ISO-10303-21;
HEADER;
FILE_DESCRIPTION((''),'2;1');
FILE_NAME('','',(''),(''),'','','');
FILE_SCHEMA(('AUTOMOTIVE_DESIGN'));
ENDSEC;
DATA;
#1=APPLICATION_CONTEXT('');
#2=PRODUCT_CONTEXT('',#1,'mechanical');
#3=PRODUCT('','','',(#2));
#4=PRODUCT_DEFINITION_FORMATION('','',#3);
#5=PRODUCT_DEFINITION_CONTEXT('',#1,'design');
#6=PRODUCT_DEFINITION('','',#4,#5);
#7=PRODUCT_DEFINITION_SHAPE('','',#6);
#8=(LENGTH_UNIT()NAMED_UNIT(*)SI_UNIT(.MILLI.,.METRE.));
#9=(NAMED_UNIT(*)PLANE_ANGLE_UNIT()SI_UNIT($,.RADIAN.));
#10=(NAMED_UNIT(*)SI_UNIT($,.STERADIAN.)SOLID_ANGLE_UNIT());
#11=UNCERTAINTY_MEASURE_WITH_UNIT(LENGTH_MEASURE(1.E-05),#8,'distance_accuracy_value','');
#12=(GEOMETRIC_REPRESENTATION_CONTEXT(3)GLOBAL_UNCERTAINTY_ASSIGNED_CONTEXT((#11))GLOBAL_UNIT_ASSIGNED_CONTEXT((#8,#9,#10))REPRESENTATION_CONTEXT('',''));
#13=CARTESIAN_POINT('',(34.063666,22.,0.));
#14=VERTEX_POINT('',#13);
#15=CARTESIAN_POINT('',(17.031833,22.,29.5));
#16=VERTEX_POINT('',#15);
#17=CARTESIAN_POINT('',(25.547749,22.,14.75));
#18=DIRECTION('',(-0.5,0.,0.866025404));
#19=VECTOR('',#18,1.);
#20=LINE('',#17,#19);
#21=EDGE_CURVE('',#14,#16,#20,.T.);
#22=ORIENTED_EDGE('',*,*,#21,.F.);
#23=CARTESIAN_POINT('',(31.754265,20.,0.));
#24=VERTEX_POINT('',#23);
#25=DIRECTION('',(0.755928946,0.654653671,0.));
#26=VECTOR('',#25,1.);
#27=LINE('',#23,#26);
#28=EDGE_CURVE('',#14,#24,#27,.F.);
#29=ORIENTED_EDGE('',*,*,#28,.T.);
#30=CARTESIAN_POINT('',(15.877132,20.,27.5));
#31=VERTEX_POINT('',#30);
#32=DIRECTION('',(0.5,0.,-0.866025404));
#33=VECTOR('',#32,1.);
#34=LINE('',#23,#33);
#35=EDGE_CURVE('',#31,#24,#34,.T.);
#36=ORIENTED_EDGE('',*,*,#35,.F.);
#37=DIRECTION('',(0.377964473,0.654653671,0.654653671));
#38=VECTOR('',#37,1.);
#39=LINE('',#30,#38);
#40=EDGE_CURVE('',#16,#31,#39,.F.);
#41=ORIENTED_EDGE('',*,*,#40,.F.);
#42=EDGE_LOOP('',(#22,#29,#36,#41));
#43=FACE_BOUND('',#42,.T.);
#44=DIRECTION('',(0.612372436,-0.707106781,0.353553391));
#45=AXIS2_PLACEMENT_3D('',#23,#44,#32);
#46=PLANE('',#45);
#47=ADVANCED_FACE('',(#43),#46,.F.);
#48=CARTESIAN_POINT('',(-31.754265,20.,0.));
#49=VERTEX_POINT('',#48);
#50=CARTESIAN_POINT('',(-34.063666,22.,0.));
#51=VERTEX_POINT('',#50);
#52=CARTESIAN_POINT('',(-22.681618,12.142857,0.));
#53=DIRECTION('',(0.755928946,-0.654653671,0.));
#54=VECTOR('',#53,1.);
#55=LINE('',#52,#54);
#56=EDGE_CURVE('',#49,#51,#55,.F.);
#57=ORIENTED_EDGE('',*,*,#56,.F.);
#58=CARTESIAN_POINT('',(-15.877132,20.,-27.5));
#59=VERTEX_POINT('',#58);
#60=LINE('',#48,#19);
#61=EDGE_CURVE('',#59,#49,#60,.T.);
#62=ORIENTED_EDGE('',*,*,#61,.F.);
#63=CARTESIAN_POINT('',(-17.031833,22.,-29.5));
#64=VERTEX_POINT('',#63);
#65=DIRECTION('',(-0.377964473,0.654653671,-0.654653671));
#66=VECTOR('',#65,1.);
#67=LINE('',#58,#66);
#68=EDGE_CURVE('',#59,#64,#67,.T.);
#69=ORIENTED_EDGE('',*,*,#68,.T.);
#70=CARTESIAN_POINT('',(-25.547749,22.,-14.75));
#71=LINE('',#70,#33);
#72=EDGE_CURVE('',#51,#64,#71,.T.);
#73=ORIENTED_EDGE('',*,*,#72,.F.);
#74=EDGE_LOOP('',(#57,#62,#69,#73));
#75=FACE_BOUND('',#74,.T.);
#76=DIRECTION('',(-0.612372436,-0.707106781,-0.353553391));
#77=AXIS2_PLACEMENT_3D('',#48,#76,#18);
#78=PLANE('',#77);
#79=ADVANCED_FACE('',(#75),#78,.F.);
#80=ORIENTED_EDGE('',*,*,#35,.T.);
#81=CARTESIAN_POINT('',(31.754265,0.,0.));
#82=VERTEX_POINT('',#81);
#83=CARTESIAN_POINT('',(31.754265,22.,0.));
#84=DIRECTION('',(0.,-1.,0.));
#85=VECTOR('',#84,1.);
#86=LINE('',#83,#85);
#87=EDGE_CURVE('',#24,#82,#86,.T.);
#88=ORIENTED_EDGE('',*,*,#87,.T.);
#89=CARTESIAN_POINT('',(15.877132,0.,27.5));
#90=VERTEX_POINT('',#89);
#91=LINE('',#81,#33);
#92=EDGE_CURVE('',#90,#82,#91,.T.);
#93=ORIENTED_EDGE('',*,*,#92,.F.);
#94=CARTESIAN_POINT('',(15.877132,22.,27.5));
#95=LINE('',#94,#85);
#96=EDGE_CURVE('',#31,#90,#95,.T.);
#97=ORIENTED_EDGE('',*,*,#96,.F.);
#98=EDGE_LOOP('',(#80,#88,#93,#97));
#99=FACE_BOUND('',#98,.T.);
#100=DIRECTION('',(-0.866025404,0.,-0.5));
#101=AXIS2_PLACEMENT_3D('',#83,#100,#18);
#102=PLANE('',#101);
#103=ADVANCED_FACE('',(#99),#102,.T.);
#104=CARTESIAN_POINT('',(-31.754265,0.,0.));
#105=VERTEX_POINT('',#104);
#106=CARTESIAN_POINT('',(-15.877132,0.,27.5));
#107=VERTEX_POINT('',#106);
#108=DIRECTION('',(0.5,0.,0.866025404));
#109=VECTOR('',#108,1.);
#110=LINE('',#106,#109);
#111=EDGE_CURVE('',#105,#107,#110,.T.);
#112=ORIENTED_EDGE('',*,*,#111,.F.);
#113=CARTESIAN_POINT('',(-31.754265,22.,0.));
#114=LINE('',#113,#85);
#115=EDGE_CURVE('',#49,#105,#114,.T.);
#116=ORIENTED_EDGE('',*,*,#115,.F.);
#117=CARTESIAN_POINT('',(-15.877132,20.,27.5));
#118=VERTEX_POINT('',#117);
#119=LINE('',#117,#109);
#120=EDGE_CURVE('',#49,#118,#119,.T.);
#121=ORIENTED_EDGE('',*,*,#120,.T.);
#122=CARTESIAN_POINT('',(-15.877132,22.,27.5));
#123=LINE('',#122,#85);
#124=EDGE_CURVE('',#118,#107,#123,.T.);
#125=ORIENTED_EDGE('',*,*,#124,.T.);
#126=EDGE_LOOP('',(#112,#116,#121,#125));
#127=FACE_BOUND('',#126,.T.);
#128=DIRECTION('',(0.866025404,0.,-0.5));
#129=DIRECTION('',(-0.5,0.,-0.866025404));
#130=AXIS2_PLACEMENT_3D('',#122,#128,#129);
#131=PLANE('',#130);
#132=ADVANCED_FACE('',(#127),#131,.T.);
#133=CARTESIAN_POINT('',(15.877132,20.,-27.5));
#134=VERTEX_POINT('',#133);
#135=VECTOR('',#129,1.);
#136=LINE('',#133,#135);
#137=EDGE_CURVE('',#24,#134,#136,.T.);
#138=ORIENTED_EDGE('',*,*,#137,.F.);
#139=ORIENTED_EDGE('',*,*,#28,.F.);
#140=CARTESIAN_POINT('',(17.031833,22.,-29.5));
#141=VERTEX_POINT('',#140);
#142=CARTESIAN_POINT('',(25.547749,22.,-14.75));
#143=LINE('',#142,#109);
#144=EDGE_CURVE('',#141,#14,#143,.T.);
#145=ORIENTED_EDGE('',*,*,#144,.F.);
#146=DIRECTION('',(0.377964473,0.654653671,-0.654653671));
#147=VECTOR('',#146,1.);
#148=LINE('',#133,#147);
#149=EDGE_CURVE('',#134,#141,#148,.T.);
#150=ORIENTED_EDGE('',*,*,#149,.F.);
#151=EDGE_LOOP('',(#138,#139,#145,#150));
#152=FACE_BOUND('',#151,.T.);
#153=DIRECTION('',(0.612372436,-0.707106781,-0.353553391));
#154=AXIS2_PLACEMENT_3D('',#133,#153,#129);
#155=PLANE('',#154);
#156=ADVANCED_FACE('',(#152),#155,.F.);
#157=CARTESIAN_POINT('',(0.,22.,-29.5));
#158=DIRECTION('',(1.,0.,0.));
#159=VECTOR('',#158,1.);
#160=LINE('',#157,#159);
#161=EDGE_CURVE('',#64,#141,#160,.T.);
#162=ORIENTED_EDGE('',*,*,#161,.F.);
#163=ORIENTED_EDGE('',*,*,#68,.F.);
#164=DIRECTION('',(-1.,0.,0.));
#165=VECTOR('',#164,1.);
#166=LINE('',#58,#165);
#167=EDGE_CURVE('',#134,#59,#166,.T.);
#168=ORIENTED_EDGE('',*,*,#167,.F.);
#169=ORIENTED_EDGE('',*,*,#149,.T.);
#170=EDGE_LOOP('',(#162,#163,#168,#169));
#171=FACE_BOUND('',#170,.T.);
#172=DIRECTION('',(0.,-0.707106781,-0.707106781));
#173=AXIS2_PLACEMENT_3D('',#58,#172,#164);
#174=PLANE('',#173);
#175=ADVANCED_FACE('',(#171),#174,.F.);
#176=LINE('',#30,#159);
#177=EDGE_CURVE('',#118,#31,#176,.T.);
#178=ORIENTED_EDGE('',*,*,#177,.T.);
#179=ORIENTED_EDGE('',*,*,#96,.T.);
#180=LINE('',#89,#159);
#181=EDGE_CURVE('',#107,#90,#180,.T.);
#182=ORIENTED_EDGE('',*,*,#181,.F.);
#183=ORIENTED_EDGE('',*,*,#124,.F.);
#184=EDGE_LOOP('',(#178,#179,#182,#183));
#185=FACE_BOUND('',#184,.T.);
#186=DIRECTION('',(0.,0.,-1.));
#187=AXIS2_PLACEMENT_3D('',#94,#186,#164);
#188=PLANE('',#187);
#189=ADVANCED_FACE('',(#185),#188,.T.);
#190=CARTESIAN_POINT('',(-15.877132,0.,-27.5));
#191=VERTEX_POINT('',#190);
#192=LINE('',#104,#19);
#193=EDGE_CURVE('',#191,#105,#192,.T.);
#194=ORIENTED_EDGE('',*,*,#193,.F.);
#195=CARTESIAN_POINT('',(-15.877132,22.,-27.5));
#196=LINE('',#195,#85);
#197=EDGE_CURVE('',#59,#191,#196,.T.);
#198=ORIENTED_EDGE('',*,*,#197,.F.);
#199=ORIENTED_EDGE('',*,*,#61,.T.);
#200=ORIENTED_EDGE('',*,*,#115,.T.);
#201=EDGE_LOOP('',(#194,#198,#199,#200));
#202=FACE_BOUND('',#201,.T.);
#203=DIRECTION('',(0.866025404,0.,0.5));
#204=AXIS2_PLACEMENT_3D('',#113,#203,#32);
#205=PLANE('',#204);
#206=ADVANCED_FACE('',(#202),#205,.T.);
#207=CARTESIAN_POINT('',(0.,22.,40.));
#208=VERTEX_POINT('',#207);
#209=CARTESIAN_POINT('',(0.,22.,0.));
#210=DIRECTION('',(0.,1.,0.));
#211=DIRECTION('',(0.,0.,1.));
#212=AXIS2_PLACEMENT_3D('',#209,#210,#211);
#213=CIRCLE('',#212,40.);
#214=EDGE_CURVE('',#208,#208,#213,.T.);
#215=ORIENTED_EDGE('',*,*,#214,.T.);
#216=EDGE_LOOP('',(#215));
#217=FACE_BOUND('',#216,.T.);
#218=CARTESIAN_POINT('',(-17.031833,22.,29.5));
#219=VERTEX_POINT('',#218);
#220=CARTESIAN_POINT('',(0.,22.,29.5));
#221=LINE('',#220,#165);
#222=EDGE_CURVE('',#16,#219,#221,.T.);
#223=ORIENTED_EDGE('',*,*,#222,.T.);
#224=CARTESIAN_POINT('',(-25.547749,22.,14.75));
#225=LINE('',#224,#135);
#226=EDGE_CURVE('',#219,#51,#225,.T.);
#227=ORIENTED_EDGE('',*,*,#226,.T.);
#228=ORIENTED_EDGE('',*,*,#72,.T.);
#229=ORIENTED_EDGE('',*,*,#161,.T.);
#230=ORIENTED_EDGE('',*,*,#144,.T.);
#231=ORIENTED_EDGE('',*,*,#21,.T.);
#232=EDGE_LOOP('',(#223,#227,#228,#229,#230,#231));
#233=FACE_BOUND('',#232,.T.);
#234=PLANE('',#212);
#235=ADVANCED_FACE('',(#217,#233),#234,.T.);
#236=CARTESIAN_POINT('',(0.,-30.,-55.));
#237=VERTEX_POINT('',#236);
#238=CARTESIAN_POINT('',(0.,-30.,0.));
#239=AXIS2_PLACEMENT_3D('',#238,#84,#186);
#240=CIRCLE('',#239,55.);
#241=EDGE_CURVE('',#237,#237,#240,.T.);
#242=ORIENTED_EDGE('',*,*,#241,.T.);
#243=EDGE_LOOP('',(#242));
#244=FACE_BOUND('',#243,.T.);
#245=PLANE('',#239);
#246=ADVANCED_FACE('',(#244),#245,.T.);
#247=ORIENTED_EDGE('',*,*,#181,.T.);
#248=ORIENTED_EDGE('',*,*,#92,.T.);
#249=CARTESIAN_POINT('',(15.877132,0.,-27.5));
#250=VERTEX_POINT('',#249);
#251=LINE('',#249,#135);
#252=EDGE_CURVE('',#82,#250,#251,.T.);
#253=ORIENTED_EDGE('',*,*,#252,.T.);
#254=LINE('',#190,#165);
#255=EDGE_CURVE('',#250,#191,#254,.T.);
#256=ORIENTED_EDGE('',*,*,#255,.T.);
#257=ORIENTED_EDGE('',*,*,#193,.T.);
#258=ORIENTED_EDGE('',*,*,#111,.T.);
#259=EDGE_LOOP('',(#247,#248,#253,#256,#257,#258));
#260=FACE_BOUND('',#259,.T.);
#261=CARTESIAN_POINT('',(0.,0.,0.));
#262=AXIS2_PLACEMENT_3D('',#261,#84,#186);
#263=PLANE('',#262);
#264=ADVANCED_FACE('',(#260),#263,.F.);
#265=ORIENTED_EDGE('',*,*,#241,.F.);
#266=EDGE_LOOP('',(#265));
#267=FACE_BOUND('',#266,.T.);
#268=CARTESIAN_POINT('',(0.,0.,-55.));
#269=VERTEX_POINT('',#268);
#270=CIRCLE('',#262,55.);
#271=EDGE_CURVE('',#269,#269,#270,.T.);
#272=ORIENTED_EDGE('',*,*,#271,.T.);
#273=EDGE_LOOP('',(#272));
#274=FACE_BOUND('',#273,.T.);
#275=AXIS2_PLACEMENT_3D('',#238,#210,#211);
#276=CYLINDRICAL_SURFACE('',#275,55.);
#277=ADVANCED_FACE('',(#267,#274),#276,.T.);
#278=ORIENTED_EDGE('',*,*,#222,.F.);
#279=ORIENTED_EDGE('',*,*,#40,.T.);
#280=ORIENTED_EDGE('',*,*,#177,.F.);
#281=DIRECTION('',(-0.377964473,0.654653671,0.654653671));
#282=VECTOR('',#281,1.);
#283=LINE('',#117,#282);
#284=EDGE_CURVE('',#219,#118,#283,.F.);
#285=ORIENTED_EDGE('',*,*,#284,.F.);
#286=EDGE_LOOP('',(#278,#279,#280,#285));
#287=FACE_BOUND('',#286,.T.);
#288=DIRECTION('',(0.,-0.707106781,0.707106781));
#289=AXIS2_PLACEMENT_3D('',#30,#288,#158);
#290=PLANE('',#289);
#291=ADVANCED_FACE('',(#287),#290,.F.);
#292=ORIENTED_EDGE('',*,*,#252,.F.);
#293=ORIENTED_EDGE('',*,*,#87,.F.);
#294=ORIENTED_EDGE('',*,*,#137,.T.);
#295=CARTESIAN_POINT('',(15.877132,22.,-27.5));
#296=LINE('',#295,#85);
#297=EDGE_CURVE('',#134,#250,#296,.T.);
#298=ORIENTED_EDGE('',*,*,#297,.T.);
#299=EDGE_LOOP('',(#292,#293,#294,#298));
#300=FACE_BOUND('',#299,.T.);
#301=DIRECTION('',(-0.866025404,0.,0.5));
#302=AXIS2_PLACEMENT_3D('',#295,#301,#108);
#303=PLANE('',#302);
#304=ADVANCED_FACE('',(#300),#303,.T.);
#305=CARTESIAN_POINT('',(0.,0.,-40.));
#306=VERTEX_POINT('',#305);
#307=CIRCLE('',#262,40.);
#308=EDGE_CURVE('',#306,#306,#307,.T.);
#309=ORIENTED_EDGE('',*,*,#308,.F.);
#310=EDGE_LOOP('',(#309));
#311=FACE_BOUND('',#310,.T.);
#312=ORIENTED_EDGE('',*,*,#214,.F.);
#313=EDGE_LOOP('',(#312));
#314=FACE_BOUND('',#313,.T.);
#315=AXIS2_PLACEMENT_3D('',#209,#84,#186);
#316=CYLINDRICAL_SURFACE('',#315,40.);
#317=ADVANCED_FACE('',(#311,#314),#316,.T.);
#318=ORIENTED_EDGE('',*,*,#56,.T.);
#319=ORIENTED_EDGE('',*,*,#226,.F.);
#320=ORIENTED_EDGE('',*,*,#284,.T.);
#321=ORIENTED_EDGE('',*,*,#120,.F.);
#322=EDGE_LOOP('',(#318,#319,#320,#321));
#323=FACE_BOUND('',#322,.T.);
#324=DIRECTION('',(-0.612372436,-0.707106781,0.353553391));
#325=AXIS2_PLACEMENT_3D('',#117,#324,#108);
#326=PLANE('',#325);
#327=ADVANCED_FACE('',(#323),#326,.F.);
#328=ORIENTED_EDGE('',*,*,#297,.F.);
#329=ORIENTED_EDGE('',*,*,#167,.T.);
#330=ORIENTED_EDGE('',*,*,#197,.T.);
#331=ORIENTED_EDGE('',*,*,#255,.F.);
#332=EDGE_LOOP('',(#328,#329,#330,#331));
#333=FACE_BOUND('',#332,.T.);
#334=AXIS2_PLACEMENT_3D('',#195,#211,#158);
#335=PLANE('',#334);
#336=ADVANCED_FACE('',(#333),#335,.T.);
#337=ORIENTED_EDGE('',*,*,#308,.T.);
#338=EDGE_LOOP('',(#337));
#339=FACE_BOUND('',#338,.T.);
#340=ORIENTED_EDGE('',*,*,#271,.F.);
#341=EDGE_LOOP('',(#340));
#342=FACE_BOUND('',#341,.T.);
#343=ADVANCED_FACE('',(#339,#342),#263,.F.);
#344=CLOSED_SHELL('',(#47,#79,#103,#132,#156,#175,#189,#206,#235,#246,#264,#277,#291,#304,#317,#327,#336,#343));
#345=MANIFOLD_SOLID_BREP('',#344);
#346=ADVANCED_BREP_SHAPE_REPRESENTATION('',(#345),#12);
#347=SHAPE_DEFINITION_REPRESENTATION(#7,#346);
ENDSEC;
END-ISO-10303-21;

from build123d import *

# Parameters (mm, degrees)
SZKIC1_R                    = 40
DODANIE_WYCI_GNI_CIE1_DEPTH = 22
SFAZOWANIE1_SIZE            = 2
SZKIC2_R                    = 55
DODANIE_WYCI_GNI_CIE2_DEPTH = 30


with BuildPart() as part:
    # Szkic1 → Dodanie-wyciągnięcie1 (new body)
    with BuildSketch(Plane(origin=(0, 0, 0), x_dir=(1, 0, 0), z_dir=(0, 1, 0))):
        with Locations(Location((0, 0, 0), (0, 0, 270))):
            Circle(SZKIC1_R)
        Polygon((-15.877132403, 27.5), (15.877132403, 27.5), (31.754264805, 0), (15.877132403, -27.5), (-15.877132403, -27.5), (-31.754264805, 0), align=None, mode=Mode.SUBTRACT)
    extrude(amount=DODANIE_WYCI_GNI_CIE1_DEPTH)

    # Sfazowanie1
    sfazowanie1_edges = [part.edges().sort_by_distance(p)[0] for p in [
        (-23.815698604, 22, -13.75),
        (-23.815698604, 22, 13.75),
        (0, 22, 27.5),
        (23.815698604, 22, 13.75),
        (23.815698604, 22, -13.75),
        (0, 22, -27.5),
    ]]
    chamfer(sfazowanie1_edges, length=SFAZOWANIE1_SIZE)

    # Szkic2 → Dodanie-wyciągnięcie2 (add)
    with BuildSketch(Plane.XZ):
        with Locations(Location((0, 0, 0), (0, 0, 270))):
            Circle(SZKIC2_R)
    extrude(amount=DODANIE_WYCI_GNI_CIE2_DEPTH)


solid = part.part
